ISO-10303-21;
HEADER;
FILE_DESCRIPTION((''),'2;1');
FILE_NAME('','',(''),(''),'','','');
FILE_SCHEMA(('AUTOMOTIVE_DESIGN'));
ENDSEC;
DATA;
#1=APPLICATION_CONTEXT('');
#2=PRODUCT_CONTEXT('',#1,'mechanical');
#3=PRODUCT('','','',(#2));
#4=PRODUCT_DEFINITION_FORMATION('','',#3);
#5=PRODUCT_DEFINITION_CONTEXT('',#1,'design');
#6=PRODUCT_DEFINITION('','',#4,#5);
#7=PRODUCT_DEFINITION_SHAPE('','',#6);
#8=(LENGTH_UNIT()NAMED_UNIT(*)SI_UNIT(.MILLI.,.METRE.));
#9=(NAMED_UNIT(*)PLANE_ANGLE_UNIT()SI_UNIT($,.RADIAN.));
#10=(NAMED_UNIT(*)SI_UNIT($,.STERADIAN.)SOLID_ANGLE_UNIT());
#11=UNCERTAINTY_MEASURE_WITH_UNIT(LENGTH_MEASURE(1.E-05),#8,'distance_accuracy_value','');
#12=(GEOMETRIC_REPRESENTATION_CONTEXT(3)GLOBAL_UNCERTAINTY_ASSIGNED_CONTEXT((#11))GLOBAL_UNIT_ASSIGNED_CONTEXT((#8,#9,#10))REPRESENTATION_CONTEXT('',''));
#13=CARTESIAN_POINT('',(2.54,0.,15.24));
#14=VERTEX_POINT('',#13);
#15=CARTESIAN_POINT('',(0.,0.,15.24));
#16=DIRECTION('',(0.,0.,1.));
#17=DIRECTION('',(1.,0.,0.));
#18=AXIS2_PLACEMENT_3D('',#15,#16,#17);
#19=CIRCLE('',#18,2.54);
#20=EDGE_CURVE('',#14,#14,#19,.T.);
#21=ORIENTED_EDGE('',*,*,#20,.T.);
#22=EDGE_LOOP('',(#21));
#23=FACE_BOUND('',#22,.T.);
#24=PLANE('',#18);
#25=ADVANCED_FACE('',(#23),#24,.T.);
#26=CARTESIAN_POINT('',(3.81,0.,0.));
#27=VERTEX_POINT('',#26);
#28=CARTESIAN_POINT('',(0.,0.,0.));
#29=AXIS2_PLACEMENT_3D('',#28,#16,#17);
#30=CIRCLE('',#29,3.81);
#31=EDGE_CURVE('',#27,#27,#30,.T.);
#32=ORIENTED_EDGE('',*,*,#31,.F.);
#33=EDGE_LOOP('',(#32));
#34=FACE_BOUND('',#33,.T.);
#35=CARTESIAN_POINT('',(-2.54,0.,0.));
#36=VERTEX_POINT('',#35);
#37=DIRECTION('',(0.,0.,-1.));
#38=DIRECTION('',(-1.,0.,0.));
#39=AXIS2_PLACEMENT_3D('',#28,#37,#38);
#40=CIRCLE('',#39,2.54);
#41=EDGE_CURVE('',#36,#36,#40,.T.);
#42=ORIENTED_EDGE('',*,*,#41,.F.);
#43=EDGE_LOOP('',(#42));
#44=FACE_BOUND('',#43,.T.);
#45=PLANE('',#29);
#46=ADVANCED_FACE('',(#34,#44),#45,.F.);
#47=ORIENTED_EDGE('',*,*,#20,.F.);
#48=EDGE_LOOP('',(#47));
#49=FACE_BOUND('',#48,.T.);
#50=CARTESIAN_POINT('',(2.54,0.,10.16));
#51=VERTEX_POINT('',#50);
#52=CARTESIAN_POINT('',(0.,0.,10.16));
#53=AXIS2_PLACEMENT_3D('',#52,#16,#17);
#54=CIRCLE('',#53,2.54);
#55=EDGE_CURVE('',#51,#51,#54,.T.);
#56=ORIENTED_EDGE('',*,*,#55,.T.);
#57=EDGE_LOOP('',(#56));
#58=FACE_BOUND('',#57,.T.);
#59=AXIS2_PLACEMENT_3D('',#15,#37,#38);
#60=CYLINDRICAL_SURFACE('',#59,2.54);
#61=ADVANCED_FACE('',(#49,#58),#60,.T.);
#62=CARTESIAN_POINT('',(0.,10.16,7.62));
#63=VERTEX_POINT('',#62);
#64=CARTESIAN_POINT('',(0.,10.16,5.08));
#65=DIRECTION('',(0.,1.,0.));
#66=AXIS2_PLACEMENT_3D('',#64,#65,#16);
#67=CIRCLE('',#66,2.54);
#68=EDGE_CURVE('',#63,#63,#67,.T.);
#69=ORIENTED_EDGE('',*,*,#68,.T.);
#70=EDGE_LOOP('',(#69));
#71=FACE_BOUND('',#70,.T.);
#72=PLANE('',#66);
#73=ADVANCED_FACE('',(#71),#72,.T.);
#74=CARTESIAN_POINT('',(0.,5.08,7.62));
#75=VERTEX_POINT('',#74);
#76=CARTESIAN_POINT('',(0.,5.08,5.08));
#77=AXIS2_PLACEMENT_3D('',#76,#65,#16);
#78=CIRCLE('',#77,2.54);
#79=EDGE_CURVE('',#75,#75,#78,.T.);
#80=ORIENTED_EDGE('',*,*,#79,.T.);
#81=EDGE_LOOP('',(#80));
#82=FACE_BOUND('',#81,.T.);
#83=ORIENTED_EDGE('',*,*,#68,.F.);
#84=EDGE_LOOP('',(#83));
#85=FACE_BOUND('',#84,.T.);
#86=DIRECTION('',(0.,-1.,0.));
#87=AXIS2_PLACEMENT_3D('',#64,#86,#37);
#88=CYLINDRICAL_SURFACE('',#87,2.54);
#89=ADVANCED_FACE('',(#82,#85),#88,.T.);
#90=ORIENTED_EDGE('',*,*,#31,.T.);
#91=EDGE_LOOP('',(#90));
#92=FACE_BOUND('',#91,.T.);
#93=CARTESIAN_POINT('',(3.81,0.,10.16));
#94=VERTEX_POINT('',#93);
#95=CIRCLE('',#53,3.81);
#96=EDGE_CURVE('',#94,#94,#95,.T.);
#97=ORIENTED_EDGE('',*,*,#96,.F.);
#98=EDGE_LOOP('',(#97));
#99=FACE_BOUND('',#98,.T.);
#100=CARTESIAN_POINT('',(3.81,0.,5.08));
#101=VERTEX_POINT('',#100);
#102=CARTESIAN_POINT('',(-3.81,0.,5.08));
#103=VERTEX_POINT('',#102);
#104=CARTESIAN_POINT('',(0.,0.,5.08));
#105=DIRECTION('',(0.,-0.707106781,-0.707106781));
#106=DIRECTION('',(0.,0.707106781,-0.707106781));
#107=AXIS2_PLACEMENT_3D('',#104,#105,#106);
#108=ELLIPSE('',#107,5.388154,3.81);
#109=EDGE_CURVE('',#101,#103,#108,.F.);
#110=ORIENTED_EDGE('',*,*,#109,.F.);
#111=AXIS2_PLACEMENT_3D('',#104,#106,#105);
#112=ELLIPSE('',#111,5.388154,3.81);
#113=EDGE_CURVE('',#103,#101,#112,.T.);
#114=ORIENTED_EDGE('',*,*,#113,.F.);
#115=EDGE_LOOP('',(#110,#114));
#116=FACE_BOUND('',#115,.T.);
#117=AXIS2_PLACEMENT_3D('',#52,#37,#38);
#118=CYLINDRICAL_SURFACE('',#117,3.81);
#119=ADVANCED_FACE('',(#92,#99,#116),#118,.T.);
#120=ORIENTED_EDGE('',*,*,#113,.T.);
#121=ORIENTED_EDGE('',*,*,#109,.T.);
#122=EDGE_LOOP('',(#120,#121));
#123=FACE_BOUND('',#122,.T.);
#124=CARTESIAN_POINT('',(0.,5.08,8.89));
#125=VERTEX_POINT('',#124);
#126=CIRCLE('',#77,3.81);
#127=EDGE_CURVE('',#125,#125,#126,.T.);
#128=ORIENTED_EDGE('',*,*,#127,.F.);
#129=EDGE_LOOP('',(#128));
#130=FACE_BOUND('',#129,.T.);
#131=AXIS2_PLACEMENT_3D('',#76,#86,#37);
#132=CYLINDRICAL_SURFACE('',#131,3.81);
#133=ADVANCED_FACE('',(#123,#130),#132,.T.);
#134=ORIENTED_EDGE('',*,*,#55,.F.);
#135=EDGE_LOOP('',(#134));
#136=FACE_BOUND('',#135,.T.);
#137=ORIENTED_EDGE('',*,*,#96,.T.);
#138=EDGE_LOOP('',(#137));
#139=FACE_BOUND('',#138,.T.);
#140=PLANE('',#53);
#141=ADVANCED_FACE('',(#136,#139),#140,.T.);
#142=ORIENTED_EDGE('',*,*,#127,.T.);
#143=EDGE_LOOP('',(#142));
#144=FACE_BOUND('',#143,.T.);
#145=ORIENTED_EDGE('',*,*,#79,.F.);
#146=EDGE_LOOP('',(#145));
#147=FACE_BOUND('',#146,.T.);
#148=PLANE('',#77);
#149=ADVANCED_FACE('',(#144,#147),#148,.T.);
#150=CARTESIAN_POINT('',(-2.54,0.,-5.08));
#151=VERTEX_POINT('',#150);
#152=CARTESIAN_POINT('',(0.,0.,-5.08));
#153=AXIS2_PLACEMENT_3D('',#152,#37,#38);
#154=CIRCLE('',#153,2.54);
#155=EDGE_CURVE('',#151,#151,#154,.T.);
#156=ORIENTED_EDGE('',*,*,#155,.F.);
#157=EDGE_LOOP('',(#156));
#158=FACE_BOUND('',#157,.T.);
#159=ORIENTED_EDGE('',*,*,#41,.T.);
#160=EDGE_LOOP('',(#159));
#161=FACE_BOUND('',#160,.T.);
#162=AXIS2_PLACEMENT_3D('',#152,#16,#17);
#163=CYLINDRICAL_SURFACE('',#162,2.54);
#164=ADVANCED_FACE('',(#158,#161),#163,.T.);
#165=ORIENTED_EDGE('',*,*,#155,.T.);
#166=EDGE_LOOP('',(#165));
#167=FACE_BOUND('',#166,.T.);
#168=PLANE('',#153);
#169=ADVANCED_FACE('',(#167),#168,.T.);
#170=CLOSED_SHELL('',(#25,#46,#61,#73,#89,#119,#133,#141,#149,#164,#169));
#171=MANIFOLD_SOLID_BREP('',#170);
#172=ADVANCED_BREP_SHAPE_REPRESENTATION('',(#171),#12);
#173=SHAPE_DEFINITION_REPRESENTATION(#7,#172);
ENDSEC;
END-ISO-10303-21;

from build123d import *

# Parameters (mm, degrees)
SKETCH2_R           = 3.81
BOSS_EXTRUDE1_DEPTH = 10.16
SKETCH3_R           = 2.54
BOSS_EXTRUDE2_DEPTH = 5.08
BOSS_EXTRUDE3_START = 5.08
SKETCH4_R           = 2.54
BOSS_EXTRUDE3_DEPTH = 5.08
SKETCH5_R           = 3.81
BOSS_EXTRUDE4_DEPTH = 5.08
SKETCH6_R           = 2.54
BOSS_EXTRUDE5_DEPTH = 5.08


with BuildPart() as part:
    # Sketch2 → Boss-Extrude1 (new body)
    with BuildSketch(Plane.XY):
        Circle(SKETCH2_R)
    extrude(amount=BOSS_EXTRUDE1_DEPTH)

    # Sketch3 → Boss-Extrude2 (add)
    with BuildSketch(Plane.XY.offset(10.16)):
        Circle(SKETCH3_R)
    extrude(amount=BOSS_EXTRUDE2_DEPTH)

    # Sketch4 → Boss-Extrude3 (add)
    with BuildSketch(Plane(origin=(0, 0, 0), x_dir=(-1, 0, 0), z_dir=(0, 0, -1)).offset(BOSS_EXTRUDE3_START)):
        with Locations(Location((0, 0, 0), (0, 0, 180))):
            Circle(SKETCH4_R)
    extrude(amount=-BOSS_EXTRUDE3_DEPTH)

    # Sketch5 → Boss-Extrude4 (add)
    with BuildSketch(Plane(origin=(0, 0, 0), x_dir=(1, 0, 0), z_dir=(0, 1, 0))):
        with Locations((0, -5.08)):
            Circle(SKETCH5_R)
    extrude(amount=BOSS_EXTRUDE4_DEPTH)

    # Sketch6 → Boss-Extrude5 (add)
    with BuildSketch(Plane(origin=(0, 5.08, 0), x_dir=(1, 0, 0), z_dir=(0, 1, 0))):
        with Locations(Location((0, -5.08, 0), (0, 0, 270))):
            Circle(SKETCH6_R)
    extrude(amount=BOSS_EXTRUDE5_DEPTH)


solid = part.part
